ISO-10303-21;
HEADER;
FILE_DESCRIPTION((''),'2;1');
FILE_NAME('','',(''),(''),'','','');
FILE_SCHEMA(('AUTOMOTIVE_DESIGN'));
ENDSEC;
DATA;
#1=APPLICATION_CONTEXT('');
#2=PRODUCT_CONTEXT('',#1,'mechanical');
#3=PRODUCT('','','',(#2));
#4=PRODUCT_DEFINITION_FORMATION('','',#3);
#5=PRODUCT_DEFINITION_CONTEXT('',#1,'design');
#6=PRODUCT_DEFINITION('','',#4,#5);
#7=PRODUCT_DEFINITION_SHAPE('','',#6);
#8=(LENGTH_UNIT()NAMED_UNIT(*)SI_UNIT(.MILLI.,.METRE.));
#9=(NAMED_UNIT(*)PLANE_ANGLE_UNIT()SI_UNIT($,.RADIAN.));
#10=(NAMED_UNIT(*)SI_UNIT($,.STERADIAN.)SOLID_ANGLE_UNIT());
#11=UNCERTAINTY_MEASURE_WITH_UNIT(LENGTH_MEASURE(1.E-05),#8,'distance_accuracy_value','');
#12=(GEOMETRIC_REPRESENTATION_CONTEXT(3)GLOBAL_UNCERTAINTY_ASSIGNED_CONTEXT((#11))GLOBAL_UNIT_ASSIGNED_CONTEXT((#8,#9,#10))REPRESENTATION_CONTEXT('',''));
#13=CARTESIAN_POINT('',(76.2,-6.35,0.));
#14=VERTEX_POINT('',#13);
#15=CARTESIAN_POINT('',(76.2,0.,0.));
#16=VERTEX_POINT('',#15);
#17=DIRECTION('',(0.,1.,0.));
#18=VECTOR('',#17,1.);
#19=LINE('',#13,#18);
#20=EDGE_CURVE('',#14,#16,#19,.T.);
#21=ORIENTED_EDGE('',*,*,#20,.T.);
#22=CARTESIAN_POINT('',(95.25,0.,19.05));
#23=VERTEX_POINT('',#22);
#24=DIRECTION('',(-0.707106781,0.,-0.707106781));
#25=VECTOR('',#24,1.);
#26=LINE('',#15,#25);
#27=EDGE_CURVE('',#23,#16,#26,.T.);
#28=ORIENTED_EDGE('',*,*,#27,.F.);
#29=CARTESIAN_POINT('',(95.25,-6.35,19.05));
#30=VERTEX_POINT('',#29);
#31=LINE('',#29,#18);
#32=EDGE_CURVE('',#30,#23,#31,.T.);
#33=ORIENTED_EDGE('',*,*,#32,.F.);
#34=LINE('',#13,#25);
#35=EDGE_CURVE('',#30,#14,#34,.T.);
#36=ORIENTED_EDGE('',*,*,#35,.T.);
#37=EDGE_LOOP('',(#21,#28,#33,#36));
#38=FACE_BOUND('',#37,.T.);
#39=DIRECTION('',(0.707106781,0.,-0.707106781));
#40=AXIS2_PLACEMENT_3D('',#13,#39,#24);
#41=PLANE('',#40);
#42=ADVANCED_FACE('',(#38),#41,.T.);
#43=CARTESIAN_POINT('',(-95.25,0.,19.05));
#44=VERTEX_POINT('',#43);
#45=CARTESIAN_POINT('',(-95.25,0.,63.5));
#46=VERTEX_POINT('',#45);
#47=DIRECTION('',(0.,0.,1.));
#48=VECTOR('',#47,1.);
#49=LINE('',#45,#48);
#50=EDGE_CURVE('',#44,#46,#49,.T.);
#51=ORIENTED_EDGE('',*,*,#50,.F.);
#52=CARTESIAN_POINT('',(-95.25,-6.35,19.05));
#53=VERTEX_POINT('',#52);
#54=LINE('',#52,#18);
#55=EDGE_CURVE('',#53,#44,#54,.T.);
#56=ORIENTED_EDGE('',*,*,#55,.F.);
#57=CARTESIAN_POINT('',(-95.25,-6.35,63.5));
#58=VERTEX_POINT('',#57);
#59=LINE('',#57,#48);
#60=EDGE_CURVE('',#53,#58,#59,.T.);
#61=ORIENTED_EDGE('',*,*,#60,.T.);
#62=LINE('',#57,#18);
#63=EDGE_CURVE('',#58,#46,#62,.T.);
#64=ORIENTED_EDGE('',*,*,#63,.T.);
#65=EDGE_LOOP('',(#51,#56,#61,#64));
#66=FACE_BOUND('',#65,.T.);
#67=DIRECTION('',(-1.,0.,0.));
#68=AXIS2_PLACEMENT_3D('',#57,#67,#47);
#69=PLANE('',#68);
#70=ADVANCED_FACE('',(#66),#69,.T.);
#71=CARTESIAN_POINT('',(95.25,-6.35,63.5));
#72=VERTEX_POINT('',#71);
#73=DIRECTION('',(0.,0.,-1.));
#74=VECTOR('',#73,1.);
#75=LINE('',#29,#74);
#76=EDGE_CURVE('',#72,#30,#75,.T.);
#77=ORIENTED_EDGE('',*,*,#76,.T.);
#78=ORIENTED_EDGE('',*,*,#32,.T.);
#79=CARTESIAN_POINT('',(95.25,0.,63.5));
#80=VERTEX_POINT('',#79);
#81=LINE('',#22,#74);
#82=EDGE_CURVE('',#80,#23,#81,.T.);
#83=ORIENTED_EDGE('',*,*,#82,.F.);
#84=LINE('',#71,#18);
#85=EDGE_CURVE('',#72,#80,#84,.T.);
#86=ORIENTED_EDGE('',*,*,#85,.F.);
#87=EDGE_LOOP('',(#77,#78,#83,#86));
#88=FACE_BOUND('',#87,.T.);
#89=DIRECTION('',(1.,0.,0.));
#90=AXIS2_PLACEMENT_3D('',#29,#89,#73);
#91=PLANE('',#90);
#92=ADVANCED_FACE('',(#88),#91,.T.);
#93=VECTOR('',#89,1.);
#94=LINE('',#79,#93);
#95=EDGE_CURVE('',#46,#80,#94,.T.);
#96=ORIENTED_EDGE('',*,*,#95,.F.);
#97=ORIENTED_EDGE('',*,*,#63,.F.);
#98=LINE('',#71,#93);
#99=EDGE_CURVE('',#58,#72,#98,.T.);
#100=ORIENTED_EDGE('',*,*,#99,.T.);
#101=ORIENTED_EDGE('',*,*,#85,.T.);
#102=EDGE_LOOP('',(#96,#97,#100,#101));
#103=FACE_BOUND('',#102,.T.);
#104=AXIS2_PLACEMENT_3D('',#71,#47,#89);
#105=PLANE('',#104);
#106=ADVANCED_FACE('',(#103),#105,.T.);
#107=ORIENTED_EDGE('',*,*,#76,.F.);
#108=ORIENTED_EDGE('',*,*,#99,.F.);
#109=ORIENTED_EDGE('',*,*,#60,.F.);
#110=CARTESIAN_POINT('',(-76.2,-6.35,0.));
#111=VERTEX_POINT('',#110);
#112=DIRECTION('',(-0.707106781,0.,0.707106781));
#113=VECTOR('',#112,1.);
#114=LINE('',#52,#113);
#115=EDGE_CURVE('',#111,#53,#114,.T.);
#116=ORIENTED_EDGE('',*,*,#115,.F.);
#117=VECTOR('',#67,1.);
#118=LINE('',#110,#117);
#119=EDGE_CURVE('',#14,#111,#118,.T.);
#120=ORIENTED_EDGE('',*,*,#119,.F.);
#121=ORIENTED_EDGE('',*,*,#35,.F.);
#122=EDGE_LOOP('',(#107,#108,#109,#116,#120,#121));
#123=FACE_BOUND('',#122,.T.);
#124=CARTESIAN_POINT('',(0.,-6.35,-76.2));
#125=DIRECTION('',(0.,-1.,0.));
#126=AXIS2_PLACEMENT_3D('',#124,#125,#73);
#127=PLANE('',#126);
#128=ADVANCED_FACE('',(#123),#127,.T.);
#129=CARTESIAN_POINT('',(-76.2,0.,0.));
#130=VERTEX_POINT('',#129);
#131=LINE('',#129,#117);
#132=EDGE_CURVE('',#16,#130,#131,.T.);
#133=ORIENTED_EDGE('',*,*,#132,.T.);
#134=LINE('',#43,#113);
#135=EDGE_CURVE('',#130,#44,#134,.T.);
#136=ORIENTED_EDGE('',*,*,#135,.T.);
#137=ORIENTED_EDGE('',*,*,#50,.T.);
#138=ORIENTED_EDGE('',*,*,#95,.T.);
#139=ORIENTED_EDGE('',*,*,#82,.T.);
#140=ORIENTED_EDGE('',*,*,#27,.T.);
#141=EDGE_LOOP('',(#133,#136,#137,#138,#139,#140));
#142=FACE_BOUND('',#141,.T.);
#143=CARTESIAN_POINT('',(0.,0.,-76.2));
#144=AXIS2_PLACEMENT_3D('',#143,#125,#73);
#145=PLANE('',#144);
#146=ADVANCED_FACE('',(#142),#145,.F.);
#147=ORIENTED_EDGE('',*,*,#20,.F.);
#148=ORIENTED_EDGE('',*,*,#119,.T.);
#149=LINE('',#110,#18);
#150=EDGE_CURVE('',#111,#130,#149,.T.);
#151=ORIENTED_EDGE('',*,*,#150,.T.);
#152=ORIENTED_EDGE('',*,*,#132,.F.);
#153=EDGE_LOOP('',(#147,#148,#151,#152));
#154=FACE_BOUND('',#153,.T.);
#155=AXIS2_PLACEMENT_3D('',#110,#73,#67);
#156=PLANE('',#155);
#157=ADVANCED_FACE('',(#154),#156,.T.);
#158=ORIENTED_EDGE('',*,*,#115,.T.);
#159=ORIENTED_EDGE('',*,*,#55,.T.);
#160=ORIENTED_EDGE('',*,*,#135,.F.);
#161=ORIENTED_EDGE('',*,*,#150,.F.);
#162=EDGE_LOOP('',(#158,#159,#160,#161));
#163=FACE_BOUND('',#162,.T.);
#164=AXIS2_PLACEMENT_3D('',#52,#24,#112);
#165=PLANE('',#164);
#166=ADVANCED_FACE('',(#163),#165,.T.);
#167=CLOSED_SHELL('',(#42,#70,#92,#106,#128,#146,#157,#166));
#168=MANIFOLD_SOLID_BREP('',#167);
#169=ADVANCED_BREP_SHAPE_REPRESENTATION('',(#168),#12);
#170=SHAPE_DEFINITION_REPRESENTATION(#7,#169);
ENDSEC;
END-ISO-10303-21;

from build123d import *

# Parameters (mm, degrees)
BASE_EXTRUDE_DEPTH = 6.35


with BuildPart() as part:
    # Sketch1 → Base-Extrude (new body)
    with BuildSketch(Plane(origin=(0, 0, 0), x_dir=(1, 0, 0), z_dir=(0, 1, 0))):
        Polygon((-76.2, 0), (76.2, 0), (95.25, -19.05), (95.25, -63.5), (-95.25, -63.5), (-95.25, -19.05), align=None)
    extrude(amount=-BASE_EXTRUDE_DEPTH)


solid = part.part
